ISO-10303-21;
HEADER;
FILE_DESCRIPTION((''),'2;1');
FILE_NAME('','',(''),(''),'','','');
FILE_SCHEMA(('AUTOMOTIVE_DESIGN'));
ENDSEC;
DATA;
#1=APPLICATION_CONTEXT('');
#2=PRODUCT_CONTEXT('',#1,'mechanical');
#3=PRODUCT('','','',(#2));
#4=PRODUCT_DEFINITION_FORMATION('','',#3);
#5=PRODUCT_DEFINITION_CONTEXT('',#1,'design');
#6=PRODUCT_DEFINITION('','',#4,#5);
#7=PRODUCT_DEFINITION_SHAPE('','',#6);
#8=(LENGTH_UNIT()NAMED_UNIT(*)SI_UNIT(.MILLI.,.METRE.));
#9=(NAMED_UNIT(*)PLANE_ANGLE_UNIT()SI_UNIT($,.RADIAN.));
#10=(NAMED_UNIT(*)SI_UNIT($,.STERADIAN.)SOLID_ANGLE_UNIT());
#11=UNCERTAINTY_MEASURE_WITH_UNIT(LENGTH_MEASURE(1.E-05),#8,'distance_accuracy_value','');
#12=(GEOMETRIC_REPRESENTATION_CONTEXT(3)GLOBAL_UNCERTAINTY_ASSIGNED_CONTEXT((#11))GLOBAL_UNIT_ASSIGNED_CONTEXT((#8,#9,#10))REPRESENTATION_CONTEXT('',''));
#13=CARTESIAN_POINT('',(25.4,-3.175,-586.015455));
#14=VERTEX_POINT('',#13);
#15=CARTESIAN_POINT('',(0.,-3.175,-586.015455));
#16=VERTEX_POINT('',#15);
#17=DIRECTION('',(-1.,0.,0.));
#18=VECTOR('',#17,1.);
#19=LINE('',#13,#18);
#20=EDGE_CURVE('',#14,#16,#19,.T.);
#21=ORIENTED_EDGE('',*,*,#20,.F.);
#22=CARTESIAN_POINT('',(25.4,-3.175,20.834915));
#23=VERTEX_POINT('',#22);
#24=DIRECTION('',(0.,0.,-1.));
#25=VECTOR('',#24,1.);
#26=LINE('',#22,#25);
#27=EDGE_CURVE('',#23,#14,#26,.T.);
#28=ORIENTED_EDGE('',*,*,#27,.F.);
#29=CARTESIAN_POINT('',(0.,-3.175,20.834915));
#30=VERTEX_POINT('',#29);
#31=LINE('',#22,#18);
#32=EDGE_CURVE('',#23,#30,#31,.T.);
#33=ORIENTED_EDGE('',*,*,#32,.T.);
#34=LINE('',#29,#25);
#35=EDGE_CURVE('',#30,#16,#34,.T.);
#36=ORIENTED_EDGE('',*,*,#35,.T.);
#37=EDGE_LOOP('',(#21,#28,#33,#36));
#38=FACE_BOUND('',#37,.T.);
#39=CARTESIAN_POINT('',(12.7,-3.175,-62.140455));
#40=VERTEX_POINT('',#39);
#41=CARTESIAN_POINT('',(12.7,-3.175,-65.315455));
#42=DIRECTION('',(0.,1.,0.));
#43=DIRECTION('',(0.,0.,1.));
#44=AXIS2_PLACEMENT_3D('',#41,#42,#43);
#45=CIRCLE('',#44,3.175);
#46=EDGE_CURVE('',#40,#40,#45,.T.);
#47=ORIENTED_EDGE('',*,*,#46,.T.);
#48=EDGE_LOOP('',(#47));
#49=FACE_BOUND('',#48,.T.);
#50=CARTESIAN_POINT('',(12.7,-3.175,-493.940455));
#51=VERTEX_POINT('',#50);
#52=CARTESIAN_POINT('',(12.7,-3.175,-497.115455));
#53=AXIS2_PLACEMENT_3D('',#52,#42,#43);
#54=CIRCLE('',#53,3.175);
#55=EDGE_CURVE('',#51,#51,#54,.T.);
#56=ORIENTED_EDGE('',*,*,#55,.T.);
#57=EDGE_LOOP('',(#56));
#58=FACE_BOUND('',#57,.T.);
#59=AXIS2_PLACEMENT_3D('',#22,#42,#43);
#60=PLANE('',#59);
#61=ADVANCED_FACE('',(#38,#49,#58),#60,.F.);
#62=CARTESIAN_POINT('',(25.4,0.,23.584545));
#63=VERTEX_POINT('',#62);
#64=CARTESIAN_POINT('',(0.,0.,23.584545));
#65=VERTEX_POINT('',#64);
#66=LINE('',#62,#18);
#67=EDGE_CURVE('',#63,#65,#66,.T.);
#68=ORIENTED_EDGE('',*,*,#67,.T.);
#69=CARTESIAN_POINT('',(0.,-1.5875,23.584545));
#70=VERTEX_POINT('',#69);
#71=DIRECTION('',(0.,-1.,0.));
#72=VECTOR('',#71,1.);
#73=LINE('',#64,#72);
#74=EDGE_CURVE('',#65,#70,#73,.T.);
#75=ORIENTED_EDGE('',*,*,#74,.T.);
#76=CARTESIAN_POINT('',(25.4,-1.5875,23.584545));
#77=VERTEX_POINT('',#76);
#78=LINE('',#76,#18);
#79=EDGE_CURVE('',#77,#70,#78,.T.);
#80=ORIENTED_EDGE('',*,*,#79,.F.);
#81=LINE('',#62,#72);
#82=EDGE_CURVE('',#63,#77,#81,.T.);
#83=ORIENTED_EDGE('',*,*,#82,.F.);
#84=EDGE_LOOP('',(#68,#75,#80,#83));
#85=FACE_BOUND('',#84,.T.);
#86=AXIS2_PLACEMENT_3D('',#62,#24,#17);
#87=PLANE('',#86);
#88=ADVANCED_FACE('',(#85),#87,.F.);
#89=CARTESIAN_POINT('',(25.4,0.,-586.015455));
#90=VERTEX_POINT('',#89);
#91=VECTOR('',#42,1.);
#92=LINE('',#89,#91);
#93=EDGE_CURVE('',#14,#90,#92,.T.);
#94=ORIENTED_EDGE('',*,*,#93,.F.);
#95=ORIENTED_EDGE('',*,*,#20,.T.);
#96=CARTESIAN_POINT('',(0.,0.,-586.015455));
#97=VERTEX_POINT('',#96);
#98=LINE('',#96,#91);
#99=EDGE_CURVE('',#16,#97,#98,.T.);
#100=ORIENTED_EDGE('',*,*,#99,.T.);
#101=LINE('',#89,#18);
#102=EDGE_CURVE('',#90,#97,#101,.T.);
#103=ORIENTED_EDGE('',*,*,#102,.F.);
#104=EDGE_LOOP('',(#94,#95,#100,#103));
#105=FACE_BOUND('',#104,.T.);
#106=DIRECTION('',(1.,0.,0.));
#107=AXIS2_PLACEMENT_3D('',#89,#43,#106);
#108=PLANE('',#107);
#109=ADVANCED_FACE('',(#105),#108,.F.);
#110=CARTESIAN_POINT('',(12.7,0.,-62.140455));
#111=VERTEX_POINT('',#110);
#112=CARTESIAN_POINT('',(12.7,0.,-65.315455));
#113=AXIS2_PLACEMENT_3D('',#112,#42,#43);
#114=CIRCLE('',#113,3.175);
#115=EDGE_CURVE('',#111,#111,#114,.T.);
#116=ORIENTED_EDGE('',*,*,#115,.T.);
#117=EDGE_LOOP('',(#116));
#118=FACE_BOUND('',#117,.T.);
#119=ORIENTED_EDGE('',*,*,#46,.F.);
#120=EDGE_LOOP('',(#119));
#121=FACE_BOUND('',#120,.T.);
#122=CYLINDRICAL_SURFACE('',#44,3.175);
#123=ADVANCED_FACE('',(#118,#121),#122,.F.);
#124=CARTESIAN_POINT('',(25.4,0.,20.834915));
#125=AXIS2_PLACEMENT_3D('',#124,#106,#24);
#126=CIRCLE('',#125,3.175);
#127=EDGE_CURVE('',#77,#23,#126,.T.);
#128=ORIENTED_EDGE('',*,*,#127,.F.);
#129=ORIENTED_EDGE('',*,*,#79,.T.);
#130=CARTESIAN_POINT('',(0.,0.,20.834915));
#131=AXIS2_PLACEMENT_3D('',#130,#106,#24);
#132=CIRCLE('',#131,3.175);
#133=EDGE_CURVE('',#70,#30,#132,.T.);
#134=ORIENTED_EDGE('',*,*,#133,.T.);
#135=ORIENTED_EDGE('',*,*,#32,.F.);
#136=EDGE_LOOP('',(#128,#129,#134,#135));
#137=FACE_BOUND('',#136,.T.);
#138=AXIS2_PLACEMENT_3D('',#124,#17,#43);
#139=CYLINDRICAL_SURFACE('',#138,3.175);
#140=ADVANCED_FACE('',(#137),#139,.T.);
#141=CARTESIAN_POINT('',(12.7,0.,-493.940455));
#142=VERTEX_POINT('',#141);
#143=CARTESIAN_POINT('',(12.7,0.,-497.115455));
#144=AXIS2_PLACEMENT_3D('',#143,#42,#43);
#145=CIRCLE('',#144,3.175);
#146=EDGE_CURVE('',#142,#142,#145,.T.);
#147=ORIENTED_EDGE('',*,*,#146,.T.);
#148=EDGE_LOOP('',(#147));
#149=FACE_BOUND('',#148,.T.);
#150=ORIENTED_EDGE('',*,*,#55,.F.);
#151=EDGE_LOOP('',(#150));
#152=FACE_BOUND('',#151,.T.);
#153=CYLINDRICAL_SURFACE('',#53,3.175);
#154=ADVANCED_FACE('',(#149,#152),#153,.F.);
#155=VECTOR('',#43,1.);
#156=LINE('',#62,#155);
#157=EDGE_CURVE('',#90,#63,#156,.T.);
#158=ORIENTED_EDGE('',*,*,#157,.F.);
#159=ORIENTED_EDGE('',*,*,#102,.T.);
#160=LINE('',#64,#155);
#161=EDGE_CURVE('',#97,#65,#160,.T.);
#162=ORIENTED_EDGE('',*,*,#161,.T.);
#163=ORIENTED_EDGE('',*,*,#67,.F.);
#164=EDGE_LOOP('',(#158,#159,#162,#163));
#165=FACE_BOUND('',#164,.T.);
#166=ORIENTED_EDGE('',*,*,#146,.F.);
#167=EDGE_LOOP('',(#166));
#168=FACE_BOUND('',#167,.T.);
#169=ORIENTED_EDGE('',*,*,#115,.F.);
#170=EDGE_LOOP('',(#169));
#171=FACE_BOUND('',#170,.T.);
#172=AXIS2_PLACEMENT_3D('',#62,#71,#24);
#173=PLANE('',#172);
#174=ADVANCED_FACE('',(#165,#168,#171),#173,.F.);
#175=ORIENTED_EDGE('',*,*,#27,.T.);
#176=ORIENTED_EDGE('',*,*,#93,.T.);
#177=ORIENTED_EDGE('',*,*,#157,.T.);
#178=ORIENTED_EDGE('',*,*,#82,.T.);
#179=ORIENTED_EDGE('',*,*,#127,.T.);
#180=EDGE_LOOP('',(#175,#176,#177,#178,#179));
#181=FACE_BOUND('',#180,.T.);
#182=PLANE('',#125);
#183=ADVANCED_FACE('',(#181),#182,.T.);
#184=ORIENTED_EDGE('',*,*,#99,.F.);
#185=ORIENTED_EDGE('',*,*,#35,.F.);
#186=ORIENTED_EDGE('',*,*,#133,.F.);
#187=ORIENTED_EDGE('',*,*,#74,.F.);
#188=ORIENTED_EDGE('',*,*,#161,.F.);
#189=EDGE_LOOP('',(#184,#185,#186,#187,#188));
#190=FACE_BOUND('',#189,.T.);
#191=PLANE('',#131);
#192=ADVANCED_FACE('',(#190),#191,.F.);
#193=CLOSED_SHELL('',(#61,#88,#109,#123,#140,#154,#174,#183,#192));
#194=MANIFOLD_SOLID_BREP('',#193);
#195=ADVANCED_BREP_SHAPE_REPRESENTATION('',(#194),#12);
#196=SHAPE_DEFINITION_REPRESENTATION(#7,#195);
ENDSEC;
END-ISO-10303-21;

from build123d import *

# Parameters (mm, degrees)
BOSS_EXTRUDE1_DEPTH = 25.4
SKETCH2_R           = 3.175
CUT_EXTRUDE1_DEPTH  = 4.175


with BuildPart() as part:
    # Sketch1 → Boss-Extrude1 (new body)
    with BuildSketch(Plane(origin=(0, 0, 0), x_dir=(0, 0, -1), z_dir=(1, 0, 0))):
        with BuildLine():
            Line((-23.584545256, 0), (-23.584545256, -1.5875))
            ThreePointArc((-23.584545256, -1.5875), (-22.422414599, -2.749630657), (-20.834914599, -3.175))
            Line((-20.834914599, -3.175), (586.015454744, -3.175))
            Line((586.015454744, -3.175), (586.015454744, 0))
            Line((586.015454744, 0), (-23.584545256, 0))
        make_face()
    extrude(amount=BOSS_EXTRUDE1_DEPTH)

    # Sketch2 → Cut-Extrude1 (cut, through all)
    with BuildSketch(Plane(origin=(0, 0, 0), x_dir=(1, 0, 0), z_dir=(0, 1, 0))):
        with Locations((12.7, 65.315454744)):
            Circle(SKETCH2_R)
        with Locations((12.7, 497.115454744)):
            Circle(SKETCH2_R)
    extrude(amount=-CUT_EXTRUDE1_DEPTH, mode=Mode.SUBTRACT)


solid = part.part
